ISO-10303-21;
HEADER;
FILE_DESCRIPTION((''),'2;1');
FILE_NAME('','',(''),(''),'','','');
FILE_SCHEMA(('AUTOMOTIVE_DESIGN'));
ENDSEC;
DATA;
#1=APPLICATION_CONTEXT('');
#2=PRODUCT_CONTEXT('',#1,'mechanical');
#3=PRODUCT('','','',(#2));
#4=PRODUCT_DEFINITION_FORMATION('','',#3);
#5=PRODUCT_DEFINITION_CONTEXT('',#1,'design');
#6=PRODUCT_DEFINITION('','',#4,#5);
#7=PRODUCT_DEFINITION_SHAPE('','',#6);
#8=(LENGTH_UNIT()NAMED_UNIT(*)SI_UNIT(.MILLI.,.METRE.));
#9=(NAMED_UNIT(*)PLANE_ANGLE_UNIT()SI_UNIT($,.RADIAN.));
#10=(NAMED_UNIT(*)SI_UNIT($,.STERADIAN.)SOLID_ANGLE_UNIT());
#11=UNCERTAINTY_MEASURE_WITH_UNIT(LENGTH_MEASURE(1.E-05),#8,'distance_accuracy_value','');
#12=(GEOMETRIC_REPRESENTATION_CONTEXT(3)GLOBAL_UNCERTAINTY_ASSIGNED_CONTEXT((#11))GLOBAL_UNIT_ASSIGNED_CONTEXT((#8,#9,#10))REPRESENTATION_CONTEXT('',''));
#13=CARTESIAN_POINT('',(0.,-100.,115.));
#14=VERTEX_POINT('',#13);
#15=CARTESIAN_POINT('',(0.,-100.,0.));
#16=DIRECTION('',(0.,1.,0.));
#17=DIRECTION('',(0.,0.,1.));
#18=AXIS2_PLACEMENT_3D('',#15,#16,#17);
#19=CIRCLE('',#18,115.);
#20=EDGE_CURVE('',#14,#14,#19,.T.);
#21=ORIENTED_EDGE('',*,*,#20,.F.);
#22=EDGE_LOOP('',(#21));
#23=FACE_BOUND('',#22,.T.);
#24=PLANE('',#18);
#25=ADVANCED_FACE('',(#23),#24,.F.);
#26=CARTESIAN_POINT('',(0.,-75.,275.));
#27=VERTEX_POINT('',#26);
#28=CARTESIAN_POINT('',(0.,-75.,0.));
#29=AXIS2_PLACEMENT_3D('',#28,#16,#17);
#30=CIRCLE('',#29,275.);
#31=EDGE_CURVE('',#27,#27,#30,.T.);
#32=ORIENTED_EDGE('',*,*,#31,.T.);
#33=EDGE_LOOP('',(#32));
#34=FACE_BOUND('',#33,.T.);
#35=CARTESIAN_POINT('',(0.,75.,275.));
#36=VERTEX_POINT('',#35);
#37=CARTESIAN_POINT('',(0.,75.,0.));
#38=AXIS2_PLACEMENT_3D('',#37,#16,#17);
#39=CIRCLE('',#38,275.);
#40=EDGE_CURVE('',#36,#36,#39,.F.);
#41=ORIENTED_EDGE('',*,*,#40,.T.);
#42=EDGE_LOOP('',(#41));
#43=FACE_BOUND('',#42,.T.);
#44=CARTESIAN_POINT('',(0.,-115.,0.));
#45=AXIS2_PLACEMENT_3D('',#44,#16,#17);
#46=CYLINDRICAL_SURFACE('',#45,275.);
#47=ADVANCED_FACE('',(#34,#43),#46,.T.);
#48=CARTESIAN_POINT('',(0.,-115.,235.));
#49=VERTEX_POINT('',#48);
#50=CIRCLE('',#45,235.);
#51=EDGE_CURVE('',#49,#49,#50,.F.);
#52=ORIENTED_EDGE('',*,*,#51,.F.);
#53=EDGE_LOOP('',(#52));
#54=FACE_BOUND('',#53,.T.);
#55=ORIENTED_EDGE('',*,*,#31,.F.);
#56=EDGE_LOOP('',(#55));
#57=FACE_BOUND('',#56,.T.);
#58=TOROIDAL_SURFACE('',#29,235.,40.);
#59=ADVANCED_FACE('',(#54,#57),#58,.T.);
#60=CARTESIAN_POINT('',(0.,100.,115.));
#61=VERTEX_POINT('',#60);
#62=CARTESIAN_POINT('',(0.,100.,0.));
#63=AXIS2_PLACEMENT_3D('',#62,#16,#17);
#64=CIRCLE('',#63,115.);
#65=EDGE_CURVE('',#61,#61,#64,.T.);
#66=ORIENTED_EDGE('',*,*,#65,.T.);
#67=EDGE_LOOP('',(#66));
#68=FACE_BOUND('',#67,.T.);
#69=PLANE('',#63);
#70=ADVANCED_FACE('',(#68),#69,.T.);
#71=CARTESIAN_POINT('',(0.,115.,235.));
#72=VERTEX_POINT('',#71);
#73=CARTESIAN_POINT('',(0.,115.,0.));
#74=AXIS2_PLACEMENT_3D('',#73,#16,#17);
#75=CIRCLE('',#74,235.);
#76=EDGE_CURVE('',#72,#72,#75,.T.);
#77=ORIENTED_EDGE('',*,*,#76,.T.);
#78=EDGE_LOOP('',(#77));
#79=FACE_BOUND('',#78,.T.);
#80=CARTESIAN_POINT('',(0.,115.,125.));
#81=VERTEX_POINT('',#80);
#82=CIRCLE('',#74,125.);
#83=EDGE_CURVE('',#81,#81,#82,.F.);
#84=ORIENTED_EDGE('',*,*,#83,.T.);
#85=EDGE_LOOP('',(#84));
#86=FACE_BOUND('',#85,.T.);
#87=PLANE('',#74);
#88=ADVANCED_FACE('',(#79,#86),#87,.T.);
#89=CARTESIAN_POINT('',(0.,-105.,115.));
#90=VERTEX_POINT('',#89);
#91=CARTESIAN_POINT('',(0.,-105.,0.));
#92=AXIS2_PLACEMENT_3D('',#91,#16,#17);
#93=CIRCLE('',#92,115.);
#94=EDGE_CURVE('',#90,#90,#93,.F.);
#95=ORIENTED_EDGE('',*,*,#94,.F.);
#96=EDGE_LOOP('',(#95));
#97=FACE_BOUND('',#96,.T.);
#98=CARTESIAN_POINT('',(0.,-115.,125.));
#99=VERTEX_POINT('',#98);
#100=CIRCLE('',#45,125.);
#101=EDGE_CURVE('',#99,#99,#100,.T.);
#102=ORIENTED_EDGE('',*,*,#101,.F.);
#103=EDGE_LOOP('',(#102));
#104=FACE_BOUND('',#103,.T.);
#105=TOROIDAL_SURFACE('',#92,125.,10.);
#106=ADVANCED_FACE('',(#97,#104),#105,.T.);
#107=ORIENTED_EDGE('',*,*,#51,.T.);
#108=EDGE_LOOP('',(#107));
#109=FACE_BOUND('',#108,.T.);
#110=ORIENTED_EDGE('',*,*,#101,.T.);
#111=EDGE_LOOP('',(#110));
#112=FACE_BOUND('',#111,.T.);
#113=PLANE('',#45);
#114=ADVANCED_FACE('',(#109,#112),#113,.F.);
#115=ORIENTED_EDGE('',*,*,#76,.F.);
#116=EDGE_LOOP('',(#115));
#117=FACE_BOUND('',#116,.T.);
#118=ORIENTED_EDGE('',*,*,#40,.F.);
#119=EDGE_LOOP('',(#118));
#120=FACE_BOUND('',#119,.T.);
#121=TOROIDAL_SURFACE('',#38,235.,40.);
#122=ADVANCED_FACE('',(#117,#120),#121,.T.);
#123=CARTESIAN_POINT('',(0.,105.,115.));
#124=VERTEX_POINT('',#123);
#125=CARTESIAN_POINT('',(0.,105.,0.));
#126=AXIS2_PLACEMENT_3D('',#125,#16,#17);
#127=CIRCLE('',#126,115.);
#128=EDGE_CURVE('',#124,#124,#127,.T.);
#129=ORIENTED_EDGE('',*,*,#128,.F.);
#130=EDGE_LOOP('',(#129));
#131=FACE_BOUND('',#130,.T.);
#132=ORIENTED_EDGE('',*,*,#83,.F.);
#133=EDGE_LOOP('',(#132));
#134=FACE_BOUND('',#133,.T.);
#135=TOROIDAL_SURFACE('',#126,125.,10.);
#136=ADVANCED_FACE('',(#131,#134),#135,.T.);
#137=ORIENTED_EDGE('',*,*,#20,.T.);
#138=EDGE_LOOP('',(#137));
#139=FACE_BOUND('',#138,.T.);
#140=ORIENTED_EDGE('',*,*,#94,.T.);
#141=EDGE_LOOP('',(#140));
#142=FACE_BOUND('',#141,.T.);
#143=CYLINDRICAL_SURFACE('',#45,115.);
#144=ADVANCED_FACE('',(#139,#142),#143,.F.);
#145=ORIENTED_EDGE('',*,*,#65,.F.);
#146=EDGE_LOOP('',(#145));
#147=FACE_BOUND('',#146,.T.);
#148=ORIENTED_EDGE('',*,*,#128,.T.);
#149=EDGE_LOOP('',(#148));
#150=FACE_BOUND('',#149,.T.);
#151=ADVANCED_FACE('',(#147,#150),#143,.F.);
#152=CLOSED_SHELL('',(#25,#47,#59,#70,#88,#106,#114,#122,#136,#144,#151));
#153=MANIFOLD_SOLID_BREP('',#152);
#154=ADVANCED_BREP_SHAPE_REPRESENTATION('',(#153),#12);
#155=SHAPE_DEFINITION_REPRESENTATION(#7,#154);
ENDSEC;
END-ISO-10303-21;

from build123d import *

# Parameters (mm, degrees)
SALIENTE_EXTRUIR1_DEPTH      = 100
SALIENTE_EXTRUIR1_DEPTH_BACK = 100
CROQUIS1_R                   = 120
SALIENTE_EXTRUIR4_DEPTH      = 115
SALIENTE_EXTRUIR4_DEPTH_BACK = 115
CROQUIS3_R                   = 275
CROQUIS3_R_2                 = 115
REDONDEO1_R                  = 40
REDONDEO2_R                  = 10
REDONDEO3_R                  = 10


with BuildPart() as part:
    # Croquis1 → Saliente-Extruir1 (new, two sides: drawn at the far end of the back side and taken through both)
    with BuildSketch(Plane(origin=(0, 0, 0), x_dir=(1, 0, 0), z_dir=(0, 1, 0)).offset(-SALIENTE_EXTRUIR1_DEPTH_BACK)):
        Circle(CROQUIS1_R)
    extrude(amount=SALIENTE_EXTRUIR1_DEPTH + SALIENTE_EXTRUIR1_DEPTH_BACK)

    # Croquis3 → Saliente-Extruir4 (add, two sides: drawn at the far end of the back side and taken through both)
    with BuildSketch(Plane(origin=(0, 0, 0), x_dir=(1, 0, 0), z_dir=(0, 1, 0)).offset(-SALIENTE_EXTRUIR4_DEPTH_BACK)):
        Circle(CROQUIS3_R)
        Circle(CROQUIS3_R_2, mode=Mode.SUBTRACT)
    extrude(amount=SALIENTE_EXTRUIR4_DEPTH + SALIENTE_EXTRUIR4_DEPTH_BACK)

    # Redondeo1
    redondeo1_edges = [part.edges().sort_by_distance(p)[0] for p in [
        (-275, 115, 0),
        (-275, -115, 0),
    ]]
    fillet(redondeo1_edges, radius=REDONDEO1_R)

    # Redondeo2
    redondeo2_edges = [part.edges().sort_by_distance(p)[0] for p in [
        (-115, -115, 0),
    ]]
    fillet(redondeo2_edges, radius=REDONDEO2_R)

    # Redondeo3
    redondeo3_edges = [part.edges().sort_by_distance(p)[0] for p in [
        (-115, 115, 0),
    ]]
    fillet(redondeo3_edges, radius=REDONDEO3_R)


solid = part.part
